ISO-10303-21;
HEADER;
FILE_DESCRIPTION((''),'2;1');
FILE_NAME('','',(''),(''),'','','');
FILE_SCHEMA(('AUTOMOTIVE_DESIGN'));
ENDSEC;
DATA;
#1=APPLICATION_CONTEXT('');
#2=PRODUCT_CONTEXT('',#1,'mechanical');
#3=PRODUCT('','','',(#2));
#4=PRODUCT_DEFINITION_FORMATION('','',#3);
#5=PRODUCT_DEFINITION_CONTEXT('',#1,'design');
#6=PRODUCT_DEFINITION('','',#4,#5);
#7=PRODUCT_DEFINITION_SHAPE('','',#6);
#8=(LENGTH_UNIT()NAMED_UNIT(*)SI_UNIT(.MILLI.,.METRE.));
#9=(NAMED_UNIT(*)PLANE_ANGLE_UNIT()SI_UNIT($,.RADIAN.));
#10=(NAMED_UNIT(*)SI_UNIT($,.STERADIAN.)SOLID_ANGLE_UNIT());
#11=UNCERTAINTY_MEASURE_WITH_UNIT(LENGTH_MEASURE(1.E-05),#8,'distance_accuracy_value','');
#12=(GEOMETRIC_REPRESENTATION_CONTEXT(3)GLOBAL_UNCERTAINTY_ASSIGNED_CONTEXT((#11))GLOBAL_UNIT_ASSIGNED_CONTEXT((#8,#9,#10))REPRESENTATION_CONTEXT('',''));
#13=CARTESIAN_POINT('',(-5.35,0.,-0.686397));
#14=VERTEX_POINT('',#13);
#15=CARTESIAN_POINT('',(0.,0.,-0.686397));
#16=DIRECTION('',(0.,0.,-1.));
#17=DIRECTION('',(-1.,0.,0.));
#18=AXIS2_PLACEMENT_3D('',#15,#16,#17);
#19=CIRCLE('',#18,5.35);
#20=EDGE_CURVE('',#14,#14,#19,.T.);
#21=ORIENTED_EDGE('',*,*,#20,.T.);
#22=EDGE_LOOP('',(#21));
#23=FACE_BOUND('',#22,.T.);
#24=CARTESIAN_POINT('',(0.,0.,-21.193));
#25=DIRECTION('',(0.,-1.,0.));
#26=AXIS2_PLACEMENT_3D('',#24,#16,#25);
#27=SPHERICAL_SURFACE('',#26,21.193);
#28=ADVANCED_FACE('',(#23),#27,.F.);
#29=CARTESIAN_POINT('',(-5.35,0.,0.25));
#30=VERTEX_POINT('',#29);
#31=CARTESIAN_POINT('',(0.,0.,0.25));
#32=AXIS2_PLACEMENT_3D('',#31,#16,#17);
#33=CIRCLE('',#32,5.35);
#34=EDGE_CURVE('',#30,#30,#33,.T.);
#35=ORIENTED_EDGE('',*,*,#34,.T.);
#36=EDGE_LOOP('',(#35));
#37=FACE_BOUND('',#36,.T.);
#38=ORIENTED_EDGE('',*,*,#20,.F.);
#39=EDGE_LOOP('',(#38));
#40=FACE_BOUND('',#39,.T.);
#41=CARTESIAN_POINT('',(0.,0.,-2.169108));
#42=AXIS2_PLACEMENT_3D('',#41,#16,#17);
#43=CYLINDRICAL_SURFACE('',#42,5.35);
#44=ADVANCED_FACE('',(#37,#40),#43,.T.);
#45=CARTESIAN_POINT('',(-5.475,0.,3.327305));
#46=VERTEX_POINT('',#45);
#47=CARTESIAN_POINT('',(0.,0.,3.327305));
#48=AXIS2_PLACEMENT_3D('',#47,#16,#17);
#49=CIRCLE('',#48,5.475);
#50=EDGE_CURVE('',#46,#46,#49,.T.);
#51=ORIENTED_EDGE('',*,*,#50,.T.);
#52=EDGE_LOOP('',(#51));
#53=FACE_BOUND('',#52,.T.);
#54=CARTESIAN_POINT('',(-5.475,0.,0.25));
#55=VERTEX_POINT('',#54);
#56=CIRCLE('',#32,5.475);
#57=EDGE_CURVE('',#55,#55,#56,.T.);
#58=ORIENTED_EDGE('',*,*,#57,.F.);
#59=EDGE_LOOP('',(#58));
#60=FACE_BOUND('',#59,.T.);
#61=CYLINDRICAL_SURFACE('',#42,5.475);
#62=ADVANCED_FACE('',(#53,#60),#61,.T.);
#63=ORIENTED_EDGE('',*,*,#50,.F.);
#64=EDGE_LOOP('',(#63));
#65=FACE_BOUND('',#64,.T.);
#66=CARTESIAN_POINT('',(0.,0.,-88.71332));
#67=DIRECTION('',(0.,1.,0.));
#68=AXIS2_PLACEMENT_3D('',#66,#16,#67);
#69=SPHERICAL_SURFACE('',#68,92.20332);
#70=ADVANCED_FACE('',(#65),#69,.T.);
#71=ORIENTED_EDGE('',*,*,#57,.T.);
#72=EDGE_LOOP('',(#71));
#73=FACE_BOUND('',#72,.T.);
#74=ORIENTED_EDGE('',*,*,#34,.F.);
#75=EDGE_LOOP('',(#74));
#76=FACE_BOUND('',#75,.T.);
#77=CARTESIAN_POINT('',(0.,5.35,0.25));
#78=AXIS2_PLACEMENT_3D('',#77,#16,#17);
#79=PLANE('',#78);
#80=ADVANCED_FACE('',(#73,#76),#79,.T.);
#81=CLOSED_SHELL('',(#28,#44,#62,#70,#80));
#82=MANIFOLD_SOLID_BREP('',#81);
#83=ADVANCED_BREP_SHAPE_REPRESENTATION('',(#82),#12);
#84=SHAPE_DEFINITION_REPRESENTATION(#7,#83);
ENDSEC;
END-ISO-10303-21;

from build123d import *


with BuildPart() as part:
    # Sketch1 → Revolve1 (revolve)
    with BuildSketch(Plane(origin=(0, 0, 0), x_dir=(0, 0, -1), z_dir=(1, 0, 0)), mode=Mode.PRIVATE) as revolve1_sk:
        with BuildLine():
            Line((0.686397429, 5.35), (-0.25, 5.35))
            Line((-0.25, 5.35), (-0.25, 5.475))
            Line((-0.25, 5.475), (-3.327304694, 5.475))
            ThreePointArc((-3.327304694, 5.475), (-3.449317198, 2.738708398), (-3.49, 0))
            Line((-3.49, 0), (0, 0))
            ThreePointArc((0, 0), (0.172299759, 2.696926094), (0.686397429, 5.35))
        make_face()
    revolve(revolve1_sk.sketch.rotate(Axis((0, 0, -2.169107761), (0, 0, 1)), 90), axis=Axis((0, 0, -2.169107761), (0, 0, 1)))


solid = part.part
